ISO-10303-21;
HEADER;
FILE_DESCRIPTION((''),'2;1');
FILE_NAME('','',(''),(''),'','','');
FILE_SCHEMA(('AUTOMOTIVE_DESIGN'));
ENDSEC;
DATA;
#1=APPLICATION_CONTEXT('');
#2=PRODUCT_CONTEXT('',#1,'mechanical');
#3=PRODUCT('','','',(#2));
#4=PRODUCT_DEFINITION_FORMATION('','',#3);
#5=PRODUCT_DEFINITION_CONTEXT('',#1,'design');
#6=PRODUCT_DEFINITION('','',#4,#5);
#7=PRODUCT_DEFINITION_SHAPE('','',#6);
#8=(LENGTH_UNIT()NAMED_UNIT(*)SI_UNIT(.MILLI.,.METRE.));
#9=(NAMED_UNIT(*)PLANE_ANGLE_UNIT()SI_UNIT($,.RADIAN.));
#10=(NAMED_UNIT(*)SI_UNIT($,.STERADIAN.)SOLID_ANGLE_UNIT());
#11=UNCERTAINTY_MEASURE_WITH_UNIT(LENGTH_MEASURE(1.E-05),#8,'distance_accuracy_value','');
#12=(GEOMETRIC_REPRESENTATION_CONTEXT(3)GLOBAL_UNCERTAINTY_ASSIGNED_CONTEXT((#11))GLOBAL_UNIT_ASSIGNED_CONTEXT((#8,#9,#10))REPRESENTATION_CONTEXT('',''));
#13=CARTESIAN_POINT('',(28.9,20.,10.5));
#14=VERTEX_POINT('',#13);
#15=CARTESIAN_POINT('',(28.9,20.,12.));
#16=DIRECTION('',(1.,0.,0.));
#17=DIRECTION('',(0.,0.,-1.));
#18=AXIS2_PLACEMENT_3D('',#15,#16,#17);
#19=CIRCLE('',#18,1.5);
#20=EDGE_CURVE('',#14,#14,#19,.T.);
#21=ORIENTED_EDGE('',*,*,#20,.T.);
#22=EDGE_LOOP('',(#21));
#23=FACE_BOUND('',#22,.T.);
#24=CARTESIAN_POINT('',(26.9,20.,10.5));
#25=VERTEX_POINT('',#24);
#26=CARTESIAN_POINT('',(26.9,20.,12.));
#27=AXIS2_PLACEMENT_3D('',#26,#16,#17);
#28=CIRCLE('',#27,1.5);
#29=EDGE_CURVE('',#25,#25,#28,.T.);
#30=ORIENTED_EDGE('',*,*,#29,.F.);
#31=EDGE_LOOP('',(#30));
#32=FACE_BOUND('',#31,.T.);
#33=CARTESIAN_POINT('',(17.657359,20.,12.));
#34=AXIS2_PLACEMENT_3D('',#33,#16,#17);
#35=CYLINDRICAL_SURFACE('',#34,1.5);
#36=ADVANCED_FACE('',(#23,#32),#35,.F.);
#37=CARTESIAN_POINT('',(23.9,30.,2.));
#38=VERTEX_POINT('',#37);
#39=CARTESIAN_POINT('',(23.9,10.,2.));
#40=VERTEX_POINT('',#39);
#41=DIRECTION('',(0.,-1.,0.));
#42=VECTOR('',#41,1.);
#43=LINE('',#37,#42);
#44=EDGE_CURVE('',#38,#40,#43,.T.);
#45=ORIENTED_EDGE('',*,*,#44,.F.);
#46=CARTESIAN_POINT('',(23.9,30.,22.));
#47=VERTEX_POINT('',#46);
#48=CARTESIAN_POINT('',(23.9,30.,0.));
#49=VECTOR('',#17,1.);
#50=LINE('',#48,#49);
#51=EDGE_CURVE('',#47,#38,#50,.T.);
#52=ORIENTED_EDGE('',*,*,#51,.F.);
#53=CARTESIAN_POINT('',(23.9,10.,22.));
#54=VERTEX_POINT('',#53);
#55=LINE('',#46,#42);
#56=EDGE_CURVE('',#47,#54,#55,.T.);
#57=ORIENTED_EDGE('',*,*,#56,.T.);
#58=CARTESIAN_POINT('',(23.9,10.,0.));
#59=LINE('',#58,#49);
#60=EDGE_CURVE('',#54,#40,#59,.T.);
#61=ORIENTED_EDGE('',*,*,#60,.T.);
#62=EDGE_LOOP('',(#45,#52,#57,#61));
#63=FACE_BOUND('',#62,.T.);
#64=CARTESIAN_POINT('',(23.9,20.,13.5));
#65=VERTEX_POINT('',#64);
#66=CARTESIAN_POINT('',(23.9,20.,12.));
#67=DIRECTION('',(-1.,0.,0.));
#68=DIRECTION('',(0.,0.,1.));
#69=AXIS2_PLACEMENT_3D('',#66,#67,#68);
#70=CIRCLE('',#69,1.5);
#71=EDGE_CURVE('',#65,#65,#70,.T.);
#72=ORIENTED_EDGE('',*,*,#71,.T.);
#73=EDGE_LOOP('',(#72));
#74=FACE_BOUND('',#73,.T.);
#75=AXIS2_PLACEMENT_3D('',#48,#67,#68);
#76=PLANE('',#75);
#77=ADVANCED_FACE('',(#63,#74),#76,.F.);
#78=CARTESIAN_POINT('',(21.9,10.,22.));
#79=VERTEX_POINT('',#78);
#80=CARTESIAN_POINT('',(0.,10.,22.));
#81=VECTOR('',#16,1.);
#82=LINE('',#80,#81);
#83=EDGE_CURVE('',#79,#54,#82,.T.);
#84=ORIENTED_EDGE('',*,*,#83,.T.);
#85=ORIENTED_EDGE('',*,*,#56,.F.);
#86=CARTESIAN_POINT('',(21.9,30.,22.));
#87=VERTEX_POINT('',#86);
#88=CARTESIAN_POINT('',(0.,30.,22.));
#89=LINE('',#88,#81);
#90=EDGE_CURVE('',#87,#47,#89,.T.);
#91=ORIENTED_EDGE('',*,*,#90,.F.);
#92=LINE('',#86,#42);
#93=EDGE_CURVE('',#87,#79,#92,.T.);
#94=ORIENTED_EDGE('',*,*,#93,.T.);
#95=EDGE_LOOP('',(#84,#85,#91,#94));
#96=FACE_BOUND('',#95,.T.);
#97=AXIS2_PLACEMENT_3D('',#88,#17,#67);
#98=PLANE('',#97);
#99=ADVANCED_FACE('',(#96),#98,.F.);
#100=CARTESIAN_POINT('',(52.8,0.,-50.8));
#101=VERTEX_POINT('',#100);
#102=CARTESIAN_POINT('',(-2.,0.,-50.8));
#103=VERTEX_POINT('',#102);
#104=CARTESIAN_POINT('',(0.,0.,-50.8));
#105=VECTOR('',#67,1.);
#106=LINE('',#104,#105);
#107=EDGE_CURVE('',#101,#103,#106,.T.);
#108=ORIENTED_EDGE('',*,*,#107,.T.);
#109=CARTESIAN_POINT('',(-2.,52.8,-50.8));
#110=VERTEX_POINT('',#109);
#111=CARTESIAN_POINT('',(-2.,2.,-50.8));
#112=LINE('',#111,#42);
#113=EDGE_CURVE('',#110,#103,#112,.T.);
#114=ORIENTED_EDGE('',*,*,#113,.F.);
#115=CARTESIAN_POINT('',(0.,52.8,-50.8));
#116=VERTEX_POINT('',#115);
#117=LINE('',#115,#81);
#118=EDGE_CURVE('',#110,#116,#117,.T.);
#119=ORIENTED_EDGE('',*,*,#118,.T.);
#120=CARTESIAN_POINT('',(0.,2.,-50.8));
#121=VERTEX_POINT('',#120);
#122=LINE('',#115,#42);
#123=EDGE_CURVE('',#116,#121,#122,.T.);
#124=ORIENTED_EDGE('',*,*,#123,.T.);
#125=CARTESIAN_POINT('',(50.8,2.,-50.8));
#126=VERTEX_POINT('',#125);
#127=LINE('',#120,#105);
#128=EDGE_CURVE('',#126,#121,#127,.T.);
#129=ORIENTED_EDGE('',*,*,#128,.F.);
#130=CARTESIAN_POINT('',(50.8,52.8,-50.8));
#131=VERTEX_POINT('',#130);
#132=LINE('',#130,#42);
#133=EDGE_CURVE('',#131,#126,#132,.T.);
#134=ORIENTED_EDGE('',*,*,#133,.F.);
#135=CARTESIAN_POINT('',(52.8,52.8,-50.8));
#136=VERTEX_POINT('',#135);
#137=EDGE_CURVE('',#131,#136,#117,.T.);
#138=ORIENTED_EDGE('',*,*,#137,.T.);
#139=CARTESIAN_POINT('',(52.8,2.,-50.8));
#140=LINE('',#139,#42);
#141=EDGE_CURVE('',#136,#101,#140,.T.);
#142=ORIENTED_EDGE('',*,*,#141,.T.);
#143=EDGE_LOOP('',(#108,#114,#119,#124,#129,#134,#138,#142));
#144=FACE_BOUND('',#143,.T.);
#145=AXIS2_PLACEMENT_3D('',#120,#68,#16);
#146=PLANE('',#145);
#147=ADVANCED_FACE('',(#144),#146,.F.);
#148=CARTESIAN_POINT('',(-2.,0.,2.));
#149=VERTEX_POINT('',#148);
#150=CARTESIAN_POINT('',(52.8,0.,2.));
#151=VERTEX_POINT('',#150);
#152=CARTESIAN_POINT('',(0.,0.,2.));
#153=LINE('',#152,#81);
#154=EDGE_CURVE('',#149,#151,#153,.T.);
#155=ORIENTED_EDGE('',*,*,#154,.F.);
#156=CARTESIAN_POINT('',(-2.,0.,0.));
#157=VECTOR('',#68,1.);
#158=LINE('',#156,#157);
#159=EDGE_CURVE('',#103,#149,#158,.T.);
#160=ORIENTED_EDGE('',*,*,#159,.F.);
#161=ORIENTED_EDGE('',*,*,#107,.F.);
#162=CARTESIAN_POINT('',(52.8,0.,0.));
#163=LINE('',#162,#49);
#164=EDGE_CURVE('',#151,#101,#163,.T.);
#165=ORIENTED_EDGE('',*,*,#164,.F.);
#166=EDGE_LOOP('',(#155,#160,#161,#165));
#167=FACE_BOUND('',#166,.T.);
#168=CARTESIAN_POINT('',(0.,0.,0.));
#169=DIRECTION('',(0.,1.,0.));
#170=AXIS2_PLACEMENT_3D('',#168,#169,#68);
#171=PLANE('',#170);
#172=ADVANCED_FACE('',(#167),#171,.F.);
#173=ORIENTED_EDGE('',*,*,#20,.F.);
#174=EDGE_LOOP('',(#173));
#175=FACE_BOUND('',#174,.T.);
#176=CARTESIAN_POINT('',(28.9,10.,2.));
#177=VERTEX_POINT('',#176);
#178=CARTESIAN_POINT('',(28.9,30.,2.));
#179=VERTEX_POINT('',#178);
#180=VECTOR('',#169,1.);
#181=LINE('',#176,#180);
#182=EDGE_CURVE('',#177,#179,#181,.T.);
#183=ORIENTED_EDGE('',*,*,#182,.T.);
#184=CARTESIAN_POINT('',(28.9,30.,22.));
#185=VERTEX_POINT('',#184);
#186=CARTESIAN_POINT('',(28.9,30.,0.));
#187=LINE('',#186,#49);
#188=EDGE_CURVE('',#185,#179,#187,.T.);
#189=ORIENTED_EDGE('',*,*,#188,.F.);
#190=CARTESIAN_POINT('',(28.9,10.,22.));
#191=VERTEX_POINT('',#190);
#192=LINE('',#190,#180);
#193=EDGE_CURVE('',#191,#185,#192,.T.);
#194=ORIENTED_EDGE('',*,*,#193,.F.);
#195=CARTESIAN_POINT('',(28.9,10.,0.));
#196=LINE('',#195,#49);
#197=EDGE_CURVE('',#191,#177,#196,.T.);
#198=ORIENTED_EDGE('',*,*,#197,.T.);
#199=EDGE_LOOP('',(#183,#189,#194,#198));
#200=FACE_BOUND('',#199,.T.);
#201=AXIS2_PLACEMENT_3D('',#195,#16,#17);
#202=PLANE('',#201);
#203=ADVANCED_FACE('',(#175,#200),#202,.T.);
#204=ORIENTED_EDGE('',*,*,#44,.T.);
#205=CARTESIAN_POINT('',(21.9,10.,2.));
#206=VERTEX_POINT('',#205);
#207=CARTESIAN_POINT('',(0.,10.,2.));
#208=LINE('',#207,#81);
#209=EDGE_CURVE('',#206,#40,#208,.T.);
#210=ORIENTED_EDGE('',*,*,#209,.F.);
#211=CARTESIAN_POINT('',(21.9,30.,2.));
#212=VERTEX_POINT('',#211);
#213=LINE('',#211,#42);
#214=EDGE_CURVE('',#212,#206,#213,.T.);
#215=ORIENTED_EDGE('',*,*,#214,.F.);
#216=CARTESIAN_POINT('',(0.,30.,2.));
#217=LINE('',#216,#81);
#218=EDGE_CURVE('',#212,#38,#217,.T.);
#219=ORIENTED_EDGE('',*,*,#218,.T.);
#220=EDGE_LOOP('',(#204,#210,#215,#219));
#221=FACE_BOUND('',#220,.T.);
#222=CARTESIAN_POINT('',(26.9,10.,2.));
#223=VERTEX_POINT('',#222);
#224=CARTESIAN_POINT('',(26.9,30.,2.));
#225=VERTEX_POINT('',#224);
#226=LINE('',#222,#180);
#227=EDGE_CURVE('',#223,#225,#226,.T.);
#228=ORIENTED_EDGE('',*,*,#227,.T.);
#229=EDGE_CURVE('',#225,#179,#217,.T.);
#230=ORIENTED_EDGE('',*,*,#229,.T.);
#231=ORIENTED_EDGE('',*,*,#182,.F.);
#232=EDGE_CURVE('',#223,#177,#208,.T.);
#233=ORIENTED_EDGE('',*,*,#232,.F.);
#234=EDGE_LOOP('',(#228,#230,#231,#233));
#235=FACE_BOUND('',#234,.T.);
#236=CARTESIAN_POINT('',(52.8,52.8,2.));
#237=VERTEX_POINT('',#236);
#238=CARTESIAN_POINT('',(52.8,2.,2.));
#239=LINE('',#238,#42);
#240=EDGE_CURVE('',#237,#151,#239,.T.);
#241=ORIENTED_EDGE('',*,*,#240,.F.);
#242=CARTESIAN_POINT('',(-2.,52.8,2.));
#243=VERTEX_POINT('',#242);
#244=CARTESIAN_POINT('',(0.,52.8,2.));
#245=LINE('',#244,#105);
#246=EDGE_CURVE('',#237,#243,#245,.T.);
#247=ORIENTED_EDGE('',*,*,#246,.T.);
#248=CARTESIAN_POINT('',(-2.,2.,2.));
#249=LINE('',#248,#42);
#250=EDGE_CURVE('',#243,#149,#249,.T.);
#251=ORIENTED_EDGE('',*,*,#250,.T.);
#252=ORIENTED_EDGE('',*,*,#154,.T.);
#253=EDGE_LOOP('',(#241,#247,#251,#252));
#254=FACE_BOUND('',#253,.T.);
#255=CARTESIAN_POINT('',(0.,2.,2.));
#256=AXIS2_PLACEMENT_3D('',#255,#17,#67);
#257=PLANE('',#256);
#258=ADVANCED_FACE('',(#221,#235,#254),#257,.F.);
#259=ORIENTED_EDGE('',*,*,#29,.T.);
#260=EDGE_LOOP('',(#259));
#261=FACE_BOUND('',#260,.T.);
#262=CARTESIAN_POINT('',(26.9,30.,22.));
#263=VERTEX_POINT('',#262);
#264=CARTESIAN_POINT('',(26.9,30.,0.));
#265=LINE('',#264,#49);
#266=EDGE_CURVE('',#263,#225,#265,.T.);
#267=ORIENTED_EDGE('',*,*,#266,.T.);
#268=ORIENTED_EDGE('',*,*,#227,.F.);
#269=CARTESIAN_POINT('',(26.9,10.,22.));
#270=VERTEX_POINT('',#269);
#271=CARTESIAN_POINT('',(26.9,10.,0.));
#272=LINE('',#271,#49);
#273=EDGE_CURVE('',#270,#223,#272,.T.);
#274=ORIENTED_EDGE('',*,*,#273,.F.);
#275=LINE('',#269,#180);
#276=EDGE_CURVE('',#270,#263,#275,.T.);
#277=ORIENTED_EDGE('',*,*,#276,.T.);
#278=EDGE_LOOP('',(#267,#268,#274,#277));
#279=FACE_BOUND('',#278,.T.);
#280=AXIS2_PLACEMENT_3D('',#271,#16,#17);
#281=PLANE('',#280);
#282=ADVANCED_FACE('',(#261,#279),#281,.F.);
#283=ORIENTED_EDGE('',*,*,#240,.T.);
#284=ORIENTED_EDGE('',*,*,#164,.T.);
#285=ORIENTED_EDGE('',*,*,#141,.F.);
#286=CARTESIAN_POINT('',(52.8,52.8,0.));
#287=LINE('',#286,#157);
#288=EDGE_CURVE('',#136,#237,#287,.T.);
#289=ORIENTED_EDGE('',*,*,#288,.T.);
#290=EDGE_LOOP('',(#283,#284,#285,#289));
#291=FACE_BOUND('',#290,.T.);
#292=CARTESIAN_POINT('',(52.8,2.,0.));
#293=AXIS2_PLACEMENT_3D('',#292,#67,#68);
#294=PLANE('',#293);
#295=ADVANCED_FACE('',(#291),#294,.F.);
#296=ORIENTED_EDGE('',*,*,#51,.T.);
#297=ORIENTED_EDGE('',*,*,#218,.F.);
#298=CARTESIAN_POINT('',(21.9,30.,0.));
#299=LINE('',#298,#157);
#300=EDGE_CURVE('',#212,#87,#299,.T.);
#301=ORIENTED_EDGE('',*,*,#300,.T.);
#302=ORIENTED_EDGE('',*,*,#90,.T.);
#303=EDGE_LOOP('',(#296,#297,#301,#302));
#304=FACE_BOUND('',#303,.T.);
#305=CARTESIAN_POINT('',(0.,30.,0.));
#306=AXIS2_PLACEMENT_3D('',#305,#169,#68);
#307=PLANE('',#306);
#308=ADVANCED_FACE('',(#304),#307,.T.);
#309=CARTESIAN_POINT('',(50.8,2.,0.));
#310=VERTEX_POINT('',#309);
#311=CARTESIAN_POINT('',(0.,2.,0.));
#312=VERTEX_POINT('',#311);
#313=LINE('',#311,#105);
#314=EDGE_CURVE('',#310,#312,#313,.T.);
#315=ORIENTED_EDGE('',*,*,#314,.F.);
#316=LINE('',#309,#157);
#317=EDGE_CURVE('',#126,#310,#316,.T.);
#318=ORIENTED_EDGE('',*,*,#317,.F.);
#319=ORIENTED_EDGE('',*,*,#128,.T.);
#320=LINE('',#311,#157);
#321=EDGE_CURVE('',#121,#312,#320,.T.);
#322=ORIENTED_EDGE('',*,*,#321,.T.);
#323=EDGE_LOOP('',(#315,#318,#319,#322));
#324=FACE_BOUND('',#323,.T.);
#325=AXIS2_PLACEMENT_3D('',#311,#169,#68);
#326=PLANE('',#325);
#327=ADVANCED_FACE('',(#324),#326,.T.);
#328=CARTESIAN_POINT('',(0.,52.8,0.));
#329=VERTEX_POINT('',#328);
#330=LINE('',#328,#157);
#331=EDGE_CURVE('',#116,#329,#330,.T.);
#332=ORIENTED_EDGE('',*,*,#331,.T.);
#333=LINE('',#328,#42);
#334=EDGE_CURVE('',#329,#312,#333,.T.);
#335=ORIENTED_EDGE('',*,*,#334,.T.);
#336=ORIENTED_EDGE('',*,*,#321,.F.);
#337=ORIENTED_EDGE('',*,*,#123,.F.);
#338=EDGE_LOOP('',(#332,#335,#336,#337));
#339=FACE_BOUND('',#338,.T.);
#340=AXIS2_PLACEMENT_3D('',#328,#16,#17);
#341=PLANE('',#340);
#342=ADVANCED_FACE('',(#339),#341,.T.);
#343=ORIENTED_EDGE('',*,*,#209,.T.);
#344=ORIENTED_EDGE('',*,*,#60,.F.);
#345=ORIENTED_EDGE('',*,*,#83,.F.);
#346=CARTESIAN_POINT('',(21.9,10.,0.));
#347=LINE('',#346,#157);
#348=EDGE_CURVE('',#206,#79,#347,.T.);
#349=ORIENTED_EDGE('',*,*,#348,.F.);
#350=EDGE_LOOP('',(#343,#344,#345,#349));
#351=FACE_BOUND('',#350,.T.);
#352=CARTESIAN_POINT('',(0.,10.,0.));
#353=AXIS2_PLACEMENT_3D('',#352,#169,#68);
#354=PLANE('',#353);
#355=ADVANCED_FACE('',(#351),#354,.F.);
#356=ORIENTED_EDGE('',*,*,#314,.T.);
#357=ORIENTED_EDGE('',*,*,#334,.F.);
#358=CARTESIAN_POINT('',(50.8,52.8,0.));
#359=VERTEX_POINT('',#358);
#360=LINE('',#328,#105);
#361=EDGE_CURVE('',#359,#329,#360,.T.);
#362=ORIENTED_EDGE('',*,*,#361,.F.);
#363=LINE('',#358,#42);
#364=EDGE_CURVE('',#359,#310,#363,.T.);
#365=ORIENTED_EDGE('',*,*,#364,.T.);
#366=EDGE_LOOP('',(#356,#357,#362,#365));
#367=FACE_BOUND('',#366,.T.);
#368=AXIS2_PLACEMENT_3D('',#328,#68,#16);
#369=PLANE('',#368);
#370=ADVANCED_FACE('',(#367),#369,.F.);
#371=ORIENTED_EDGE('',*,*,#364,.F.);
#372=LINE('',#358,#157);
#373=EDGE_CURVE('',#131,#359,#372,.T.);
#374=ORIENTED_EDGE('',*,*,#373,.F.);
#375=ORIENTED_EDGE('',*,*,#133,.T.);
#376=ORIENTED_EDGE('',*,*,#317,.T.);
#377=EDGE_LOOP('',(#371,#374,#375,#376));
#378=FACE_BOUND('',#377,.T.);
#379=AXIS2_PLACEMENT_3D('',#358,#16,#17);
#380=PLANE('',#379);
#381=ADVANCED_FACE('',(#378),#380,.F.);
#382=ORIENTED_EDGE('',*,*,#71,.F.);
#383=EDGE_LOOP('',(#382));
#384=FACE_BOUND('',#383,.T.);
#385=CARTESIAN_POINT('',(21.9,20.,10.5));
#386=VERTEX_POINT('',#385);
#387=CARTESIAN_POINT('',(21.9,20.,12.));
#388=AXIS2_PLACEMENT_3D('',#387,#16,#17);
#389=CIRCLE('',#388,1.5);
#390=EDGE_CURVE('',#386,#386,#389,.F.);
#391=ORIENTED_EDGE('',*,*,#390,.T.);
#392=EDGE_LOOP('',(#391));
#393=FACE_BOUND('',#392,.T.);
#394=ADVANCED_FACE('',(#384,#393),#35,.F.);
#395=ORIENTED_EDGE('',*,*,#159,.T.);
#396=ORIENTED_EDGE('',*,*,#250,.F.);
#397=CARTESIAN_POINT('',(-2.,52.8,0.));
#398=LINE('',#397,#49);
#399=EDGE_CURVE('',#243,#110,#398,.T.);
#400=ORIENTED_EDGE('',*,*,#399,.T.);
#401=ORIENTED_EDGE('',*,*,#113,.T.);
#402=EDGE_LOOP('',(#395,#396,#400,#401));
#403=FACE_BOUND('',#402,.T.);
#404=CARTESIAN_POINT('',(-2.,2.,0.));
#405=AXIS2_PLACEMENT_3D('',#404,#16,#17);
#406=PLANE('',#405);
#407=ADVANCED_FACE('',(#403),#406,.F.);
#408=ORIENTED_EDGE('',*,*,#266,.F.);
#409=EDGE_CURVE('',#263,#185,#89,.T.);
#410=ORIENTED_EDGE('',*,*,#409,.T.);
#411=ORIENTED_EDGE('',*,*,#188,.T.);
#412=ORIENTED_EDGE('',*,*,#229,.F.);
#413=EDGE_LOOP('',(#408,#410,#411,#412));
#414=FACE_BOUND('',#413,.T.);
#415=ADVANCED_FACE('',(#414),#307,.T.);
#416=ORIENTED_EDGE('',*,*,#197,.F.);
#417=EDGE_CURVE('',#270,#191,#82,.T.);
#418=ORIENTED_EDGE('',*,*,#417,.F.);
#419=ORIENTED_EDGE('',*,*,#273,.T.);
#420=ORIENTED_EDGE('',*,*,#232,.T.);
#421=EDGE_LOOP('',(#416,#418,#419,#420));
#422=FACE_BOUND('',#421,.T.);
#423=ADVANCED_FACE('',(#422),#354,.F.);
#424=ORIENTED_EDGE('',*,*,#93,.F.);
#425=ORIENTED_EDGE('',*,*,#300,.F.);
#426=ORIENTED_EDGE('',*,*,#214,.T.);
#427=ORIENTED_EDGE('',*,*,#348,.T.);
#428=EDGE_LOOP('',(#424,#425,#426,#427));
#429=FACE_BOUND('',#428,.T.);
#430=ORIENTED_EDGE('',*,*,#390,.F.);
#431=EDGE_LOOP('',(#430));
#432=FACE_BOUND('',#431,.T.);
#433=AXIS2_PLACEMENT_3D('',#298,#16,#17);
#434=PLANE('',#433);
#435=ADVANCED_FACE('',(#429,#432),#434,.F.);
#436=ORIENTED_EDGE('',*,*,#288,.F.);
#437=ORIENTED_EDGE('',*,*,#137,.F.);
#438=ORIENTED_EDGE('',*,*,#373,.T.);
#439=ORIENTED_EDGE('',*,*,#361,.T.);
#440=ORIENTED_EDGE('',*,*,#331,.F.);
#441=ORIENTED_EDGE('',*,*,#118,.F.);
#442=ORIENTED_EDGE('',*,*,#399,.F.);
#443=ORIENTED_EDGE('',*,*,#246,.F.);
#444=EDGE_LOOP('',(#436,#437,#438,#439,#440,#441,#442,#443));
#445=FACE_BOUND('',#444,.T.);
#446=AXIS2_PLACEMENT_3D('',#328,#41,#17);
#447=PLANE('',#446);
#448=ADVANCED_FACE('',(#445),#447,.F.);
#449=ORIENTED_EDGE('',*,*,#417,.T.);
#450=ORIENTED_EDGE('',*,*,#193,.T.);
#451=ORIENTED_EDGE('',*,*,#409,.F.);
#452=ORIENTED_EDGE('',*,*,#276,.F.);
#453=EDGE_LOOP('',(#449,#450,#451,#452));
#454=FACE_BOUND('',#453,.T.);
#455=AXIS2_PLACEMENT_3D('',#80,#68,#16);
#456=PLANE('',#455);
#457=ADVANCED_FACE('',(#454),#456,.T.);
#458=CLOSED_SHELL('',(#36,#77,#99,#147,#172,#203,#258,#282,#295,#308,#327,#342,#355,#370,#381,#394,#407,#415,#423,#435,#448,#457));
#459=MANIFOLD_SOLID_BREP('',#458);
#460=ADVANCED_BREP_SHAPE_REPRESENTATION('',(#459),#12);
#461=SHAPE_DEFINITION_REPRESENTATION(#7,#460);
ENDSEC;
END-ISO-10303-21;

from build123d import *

# Parameters (mm, degrees)
SKETCH1_W                = 50.8
SKETCH1_H                = 50.8
BOSS_EXTRUDE1_DEPTH      = 2
BOSS_EXTRUDE2_START      = 2
BOSS_EXTRUDE2_DEPTH      = 50.8
BOSS_EXTRUDE3_DEPTH      = 10
BOSS_EXTRUDE3_DEPTH_BACK = 10
BOSS_EXTRUDE3_START      = 20
SKETCH1_4_W              = 2
SKETCH1_4_H              = 20
CUT_EXTRUDE1_REACH       = 81.519
SKETCH3_R                = 1.5


with BuildPart() as part:
    # Sketch1 → Boss-Extrude1 (new body)
    with BuildSketch(Plane(origin=(0, 0, 0), x_dir=(1, 0, 0), z_dir=(0, 1, 0))):
        Polygon((52.8, -2), (52.8, 50.8), (50.8, 50.8), (50.8, 0), (0, 0), (0, 50.8), (-2, 50.8), (-2, -2), align=None)
        with Locations((25.4, 25.4)):
            Rectangle(SKETCH1_W, SKETCH1_H)
    extrude(amount=BOSS_EXTRUDE1_DEPTH)

    # Sketch1<3> → Boss-Extrude2 (add)
    with BuildSketch(Plane(origin=(0, 0, 0), x_dir=(1, 0, 0), z_dir=(0, 1, 0)).offset(BOSS_EXTRUDE2_START)):
        Polygon((52.8, -2), (52.8, 50.8), (50.8, 50.8), (50.8, 0), (0, 0), (0, 50.8), (-2, 50.8), (-2, -2), align=None)
    extrude(amount=BOSS_EXTRUDE2_DEPTH)

    # Sketch1<4> → Boss-Extrude3 (add, two sides: drawn at the far end of the back side and taken through both)
    with BuildSketch(Plane(origin=(0, 0, 0), x_dir=(1, 0, 0), z_dir=(0, 1, 0)).offset(BOSS_EXTRUDE3_START - BOSS_EXTRUDE3_DEPTH_BACK)):
        with Locations((27.9, -12)):
            Rectangle(SKETCH1_4_W, SKETCH1_4_H)
        with Locations((22.9, -12)):
            Rectangle(SKETCH1_4_W, SKETCH1_4_H)
    extrude(amount=BOSS_EXTRUDE3_DEPTH + BOSS_EXTRUDE3_DEPTH_BACK)

    # Cut-Extrude1: up to this face of the body (flat: up to its plane)
    cut_extrude1_end = Plane(part.part.faces().sort_by_distance((21.9, 20, 12))[0])
    # Sketch3 → Cut-Extrude1 (cut, up to the picked face)
    with BuildSketch(Plane(origin=(28.9, 0, 0), x_dir=(0, 0, -1), z_dir=(1, 0, 0)), mode=Mode.PRIVATE) as cut_extrude1_sk1:
        with Locations((-12, 20)):
            Circle(SKETCH3_R)
    cut_extrude1_tool1 = split(extrude(cut_extrude1_sk1.sketch, amount=-CUT_EXTRUDE1_REACH, mode=Mode.PRIVATE), bisect_by=cut_extrude1_end, keep=Keep.BOTH, mode=Mode.PRIVATE)
    add(cut_extrude1_tool1.solids().sort_by(Axis((28.9, 20, 12), (-1, 0, 0)))[0], mode=Mode.SUBTRACT)


solid = part.part
